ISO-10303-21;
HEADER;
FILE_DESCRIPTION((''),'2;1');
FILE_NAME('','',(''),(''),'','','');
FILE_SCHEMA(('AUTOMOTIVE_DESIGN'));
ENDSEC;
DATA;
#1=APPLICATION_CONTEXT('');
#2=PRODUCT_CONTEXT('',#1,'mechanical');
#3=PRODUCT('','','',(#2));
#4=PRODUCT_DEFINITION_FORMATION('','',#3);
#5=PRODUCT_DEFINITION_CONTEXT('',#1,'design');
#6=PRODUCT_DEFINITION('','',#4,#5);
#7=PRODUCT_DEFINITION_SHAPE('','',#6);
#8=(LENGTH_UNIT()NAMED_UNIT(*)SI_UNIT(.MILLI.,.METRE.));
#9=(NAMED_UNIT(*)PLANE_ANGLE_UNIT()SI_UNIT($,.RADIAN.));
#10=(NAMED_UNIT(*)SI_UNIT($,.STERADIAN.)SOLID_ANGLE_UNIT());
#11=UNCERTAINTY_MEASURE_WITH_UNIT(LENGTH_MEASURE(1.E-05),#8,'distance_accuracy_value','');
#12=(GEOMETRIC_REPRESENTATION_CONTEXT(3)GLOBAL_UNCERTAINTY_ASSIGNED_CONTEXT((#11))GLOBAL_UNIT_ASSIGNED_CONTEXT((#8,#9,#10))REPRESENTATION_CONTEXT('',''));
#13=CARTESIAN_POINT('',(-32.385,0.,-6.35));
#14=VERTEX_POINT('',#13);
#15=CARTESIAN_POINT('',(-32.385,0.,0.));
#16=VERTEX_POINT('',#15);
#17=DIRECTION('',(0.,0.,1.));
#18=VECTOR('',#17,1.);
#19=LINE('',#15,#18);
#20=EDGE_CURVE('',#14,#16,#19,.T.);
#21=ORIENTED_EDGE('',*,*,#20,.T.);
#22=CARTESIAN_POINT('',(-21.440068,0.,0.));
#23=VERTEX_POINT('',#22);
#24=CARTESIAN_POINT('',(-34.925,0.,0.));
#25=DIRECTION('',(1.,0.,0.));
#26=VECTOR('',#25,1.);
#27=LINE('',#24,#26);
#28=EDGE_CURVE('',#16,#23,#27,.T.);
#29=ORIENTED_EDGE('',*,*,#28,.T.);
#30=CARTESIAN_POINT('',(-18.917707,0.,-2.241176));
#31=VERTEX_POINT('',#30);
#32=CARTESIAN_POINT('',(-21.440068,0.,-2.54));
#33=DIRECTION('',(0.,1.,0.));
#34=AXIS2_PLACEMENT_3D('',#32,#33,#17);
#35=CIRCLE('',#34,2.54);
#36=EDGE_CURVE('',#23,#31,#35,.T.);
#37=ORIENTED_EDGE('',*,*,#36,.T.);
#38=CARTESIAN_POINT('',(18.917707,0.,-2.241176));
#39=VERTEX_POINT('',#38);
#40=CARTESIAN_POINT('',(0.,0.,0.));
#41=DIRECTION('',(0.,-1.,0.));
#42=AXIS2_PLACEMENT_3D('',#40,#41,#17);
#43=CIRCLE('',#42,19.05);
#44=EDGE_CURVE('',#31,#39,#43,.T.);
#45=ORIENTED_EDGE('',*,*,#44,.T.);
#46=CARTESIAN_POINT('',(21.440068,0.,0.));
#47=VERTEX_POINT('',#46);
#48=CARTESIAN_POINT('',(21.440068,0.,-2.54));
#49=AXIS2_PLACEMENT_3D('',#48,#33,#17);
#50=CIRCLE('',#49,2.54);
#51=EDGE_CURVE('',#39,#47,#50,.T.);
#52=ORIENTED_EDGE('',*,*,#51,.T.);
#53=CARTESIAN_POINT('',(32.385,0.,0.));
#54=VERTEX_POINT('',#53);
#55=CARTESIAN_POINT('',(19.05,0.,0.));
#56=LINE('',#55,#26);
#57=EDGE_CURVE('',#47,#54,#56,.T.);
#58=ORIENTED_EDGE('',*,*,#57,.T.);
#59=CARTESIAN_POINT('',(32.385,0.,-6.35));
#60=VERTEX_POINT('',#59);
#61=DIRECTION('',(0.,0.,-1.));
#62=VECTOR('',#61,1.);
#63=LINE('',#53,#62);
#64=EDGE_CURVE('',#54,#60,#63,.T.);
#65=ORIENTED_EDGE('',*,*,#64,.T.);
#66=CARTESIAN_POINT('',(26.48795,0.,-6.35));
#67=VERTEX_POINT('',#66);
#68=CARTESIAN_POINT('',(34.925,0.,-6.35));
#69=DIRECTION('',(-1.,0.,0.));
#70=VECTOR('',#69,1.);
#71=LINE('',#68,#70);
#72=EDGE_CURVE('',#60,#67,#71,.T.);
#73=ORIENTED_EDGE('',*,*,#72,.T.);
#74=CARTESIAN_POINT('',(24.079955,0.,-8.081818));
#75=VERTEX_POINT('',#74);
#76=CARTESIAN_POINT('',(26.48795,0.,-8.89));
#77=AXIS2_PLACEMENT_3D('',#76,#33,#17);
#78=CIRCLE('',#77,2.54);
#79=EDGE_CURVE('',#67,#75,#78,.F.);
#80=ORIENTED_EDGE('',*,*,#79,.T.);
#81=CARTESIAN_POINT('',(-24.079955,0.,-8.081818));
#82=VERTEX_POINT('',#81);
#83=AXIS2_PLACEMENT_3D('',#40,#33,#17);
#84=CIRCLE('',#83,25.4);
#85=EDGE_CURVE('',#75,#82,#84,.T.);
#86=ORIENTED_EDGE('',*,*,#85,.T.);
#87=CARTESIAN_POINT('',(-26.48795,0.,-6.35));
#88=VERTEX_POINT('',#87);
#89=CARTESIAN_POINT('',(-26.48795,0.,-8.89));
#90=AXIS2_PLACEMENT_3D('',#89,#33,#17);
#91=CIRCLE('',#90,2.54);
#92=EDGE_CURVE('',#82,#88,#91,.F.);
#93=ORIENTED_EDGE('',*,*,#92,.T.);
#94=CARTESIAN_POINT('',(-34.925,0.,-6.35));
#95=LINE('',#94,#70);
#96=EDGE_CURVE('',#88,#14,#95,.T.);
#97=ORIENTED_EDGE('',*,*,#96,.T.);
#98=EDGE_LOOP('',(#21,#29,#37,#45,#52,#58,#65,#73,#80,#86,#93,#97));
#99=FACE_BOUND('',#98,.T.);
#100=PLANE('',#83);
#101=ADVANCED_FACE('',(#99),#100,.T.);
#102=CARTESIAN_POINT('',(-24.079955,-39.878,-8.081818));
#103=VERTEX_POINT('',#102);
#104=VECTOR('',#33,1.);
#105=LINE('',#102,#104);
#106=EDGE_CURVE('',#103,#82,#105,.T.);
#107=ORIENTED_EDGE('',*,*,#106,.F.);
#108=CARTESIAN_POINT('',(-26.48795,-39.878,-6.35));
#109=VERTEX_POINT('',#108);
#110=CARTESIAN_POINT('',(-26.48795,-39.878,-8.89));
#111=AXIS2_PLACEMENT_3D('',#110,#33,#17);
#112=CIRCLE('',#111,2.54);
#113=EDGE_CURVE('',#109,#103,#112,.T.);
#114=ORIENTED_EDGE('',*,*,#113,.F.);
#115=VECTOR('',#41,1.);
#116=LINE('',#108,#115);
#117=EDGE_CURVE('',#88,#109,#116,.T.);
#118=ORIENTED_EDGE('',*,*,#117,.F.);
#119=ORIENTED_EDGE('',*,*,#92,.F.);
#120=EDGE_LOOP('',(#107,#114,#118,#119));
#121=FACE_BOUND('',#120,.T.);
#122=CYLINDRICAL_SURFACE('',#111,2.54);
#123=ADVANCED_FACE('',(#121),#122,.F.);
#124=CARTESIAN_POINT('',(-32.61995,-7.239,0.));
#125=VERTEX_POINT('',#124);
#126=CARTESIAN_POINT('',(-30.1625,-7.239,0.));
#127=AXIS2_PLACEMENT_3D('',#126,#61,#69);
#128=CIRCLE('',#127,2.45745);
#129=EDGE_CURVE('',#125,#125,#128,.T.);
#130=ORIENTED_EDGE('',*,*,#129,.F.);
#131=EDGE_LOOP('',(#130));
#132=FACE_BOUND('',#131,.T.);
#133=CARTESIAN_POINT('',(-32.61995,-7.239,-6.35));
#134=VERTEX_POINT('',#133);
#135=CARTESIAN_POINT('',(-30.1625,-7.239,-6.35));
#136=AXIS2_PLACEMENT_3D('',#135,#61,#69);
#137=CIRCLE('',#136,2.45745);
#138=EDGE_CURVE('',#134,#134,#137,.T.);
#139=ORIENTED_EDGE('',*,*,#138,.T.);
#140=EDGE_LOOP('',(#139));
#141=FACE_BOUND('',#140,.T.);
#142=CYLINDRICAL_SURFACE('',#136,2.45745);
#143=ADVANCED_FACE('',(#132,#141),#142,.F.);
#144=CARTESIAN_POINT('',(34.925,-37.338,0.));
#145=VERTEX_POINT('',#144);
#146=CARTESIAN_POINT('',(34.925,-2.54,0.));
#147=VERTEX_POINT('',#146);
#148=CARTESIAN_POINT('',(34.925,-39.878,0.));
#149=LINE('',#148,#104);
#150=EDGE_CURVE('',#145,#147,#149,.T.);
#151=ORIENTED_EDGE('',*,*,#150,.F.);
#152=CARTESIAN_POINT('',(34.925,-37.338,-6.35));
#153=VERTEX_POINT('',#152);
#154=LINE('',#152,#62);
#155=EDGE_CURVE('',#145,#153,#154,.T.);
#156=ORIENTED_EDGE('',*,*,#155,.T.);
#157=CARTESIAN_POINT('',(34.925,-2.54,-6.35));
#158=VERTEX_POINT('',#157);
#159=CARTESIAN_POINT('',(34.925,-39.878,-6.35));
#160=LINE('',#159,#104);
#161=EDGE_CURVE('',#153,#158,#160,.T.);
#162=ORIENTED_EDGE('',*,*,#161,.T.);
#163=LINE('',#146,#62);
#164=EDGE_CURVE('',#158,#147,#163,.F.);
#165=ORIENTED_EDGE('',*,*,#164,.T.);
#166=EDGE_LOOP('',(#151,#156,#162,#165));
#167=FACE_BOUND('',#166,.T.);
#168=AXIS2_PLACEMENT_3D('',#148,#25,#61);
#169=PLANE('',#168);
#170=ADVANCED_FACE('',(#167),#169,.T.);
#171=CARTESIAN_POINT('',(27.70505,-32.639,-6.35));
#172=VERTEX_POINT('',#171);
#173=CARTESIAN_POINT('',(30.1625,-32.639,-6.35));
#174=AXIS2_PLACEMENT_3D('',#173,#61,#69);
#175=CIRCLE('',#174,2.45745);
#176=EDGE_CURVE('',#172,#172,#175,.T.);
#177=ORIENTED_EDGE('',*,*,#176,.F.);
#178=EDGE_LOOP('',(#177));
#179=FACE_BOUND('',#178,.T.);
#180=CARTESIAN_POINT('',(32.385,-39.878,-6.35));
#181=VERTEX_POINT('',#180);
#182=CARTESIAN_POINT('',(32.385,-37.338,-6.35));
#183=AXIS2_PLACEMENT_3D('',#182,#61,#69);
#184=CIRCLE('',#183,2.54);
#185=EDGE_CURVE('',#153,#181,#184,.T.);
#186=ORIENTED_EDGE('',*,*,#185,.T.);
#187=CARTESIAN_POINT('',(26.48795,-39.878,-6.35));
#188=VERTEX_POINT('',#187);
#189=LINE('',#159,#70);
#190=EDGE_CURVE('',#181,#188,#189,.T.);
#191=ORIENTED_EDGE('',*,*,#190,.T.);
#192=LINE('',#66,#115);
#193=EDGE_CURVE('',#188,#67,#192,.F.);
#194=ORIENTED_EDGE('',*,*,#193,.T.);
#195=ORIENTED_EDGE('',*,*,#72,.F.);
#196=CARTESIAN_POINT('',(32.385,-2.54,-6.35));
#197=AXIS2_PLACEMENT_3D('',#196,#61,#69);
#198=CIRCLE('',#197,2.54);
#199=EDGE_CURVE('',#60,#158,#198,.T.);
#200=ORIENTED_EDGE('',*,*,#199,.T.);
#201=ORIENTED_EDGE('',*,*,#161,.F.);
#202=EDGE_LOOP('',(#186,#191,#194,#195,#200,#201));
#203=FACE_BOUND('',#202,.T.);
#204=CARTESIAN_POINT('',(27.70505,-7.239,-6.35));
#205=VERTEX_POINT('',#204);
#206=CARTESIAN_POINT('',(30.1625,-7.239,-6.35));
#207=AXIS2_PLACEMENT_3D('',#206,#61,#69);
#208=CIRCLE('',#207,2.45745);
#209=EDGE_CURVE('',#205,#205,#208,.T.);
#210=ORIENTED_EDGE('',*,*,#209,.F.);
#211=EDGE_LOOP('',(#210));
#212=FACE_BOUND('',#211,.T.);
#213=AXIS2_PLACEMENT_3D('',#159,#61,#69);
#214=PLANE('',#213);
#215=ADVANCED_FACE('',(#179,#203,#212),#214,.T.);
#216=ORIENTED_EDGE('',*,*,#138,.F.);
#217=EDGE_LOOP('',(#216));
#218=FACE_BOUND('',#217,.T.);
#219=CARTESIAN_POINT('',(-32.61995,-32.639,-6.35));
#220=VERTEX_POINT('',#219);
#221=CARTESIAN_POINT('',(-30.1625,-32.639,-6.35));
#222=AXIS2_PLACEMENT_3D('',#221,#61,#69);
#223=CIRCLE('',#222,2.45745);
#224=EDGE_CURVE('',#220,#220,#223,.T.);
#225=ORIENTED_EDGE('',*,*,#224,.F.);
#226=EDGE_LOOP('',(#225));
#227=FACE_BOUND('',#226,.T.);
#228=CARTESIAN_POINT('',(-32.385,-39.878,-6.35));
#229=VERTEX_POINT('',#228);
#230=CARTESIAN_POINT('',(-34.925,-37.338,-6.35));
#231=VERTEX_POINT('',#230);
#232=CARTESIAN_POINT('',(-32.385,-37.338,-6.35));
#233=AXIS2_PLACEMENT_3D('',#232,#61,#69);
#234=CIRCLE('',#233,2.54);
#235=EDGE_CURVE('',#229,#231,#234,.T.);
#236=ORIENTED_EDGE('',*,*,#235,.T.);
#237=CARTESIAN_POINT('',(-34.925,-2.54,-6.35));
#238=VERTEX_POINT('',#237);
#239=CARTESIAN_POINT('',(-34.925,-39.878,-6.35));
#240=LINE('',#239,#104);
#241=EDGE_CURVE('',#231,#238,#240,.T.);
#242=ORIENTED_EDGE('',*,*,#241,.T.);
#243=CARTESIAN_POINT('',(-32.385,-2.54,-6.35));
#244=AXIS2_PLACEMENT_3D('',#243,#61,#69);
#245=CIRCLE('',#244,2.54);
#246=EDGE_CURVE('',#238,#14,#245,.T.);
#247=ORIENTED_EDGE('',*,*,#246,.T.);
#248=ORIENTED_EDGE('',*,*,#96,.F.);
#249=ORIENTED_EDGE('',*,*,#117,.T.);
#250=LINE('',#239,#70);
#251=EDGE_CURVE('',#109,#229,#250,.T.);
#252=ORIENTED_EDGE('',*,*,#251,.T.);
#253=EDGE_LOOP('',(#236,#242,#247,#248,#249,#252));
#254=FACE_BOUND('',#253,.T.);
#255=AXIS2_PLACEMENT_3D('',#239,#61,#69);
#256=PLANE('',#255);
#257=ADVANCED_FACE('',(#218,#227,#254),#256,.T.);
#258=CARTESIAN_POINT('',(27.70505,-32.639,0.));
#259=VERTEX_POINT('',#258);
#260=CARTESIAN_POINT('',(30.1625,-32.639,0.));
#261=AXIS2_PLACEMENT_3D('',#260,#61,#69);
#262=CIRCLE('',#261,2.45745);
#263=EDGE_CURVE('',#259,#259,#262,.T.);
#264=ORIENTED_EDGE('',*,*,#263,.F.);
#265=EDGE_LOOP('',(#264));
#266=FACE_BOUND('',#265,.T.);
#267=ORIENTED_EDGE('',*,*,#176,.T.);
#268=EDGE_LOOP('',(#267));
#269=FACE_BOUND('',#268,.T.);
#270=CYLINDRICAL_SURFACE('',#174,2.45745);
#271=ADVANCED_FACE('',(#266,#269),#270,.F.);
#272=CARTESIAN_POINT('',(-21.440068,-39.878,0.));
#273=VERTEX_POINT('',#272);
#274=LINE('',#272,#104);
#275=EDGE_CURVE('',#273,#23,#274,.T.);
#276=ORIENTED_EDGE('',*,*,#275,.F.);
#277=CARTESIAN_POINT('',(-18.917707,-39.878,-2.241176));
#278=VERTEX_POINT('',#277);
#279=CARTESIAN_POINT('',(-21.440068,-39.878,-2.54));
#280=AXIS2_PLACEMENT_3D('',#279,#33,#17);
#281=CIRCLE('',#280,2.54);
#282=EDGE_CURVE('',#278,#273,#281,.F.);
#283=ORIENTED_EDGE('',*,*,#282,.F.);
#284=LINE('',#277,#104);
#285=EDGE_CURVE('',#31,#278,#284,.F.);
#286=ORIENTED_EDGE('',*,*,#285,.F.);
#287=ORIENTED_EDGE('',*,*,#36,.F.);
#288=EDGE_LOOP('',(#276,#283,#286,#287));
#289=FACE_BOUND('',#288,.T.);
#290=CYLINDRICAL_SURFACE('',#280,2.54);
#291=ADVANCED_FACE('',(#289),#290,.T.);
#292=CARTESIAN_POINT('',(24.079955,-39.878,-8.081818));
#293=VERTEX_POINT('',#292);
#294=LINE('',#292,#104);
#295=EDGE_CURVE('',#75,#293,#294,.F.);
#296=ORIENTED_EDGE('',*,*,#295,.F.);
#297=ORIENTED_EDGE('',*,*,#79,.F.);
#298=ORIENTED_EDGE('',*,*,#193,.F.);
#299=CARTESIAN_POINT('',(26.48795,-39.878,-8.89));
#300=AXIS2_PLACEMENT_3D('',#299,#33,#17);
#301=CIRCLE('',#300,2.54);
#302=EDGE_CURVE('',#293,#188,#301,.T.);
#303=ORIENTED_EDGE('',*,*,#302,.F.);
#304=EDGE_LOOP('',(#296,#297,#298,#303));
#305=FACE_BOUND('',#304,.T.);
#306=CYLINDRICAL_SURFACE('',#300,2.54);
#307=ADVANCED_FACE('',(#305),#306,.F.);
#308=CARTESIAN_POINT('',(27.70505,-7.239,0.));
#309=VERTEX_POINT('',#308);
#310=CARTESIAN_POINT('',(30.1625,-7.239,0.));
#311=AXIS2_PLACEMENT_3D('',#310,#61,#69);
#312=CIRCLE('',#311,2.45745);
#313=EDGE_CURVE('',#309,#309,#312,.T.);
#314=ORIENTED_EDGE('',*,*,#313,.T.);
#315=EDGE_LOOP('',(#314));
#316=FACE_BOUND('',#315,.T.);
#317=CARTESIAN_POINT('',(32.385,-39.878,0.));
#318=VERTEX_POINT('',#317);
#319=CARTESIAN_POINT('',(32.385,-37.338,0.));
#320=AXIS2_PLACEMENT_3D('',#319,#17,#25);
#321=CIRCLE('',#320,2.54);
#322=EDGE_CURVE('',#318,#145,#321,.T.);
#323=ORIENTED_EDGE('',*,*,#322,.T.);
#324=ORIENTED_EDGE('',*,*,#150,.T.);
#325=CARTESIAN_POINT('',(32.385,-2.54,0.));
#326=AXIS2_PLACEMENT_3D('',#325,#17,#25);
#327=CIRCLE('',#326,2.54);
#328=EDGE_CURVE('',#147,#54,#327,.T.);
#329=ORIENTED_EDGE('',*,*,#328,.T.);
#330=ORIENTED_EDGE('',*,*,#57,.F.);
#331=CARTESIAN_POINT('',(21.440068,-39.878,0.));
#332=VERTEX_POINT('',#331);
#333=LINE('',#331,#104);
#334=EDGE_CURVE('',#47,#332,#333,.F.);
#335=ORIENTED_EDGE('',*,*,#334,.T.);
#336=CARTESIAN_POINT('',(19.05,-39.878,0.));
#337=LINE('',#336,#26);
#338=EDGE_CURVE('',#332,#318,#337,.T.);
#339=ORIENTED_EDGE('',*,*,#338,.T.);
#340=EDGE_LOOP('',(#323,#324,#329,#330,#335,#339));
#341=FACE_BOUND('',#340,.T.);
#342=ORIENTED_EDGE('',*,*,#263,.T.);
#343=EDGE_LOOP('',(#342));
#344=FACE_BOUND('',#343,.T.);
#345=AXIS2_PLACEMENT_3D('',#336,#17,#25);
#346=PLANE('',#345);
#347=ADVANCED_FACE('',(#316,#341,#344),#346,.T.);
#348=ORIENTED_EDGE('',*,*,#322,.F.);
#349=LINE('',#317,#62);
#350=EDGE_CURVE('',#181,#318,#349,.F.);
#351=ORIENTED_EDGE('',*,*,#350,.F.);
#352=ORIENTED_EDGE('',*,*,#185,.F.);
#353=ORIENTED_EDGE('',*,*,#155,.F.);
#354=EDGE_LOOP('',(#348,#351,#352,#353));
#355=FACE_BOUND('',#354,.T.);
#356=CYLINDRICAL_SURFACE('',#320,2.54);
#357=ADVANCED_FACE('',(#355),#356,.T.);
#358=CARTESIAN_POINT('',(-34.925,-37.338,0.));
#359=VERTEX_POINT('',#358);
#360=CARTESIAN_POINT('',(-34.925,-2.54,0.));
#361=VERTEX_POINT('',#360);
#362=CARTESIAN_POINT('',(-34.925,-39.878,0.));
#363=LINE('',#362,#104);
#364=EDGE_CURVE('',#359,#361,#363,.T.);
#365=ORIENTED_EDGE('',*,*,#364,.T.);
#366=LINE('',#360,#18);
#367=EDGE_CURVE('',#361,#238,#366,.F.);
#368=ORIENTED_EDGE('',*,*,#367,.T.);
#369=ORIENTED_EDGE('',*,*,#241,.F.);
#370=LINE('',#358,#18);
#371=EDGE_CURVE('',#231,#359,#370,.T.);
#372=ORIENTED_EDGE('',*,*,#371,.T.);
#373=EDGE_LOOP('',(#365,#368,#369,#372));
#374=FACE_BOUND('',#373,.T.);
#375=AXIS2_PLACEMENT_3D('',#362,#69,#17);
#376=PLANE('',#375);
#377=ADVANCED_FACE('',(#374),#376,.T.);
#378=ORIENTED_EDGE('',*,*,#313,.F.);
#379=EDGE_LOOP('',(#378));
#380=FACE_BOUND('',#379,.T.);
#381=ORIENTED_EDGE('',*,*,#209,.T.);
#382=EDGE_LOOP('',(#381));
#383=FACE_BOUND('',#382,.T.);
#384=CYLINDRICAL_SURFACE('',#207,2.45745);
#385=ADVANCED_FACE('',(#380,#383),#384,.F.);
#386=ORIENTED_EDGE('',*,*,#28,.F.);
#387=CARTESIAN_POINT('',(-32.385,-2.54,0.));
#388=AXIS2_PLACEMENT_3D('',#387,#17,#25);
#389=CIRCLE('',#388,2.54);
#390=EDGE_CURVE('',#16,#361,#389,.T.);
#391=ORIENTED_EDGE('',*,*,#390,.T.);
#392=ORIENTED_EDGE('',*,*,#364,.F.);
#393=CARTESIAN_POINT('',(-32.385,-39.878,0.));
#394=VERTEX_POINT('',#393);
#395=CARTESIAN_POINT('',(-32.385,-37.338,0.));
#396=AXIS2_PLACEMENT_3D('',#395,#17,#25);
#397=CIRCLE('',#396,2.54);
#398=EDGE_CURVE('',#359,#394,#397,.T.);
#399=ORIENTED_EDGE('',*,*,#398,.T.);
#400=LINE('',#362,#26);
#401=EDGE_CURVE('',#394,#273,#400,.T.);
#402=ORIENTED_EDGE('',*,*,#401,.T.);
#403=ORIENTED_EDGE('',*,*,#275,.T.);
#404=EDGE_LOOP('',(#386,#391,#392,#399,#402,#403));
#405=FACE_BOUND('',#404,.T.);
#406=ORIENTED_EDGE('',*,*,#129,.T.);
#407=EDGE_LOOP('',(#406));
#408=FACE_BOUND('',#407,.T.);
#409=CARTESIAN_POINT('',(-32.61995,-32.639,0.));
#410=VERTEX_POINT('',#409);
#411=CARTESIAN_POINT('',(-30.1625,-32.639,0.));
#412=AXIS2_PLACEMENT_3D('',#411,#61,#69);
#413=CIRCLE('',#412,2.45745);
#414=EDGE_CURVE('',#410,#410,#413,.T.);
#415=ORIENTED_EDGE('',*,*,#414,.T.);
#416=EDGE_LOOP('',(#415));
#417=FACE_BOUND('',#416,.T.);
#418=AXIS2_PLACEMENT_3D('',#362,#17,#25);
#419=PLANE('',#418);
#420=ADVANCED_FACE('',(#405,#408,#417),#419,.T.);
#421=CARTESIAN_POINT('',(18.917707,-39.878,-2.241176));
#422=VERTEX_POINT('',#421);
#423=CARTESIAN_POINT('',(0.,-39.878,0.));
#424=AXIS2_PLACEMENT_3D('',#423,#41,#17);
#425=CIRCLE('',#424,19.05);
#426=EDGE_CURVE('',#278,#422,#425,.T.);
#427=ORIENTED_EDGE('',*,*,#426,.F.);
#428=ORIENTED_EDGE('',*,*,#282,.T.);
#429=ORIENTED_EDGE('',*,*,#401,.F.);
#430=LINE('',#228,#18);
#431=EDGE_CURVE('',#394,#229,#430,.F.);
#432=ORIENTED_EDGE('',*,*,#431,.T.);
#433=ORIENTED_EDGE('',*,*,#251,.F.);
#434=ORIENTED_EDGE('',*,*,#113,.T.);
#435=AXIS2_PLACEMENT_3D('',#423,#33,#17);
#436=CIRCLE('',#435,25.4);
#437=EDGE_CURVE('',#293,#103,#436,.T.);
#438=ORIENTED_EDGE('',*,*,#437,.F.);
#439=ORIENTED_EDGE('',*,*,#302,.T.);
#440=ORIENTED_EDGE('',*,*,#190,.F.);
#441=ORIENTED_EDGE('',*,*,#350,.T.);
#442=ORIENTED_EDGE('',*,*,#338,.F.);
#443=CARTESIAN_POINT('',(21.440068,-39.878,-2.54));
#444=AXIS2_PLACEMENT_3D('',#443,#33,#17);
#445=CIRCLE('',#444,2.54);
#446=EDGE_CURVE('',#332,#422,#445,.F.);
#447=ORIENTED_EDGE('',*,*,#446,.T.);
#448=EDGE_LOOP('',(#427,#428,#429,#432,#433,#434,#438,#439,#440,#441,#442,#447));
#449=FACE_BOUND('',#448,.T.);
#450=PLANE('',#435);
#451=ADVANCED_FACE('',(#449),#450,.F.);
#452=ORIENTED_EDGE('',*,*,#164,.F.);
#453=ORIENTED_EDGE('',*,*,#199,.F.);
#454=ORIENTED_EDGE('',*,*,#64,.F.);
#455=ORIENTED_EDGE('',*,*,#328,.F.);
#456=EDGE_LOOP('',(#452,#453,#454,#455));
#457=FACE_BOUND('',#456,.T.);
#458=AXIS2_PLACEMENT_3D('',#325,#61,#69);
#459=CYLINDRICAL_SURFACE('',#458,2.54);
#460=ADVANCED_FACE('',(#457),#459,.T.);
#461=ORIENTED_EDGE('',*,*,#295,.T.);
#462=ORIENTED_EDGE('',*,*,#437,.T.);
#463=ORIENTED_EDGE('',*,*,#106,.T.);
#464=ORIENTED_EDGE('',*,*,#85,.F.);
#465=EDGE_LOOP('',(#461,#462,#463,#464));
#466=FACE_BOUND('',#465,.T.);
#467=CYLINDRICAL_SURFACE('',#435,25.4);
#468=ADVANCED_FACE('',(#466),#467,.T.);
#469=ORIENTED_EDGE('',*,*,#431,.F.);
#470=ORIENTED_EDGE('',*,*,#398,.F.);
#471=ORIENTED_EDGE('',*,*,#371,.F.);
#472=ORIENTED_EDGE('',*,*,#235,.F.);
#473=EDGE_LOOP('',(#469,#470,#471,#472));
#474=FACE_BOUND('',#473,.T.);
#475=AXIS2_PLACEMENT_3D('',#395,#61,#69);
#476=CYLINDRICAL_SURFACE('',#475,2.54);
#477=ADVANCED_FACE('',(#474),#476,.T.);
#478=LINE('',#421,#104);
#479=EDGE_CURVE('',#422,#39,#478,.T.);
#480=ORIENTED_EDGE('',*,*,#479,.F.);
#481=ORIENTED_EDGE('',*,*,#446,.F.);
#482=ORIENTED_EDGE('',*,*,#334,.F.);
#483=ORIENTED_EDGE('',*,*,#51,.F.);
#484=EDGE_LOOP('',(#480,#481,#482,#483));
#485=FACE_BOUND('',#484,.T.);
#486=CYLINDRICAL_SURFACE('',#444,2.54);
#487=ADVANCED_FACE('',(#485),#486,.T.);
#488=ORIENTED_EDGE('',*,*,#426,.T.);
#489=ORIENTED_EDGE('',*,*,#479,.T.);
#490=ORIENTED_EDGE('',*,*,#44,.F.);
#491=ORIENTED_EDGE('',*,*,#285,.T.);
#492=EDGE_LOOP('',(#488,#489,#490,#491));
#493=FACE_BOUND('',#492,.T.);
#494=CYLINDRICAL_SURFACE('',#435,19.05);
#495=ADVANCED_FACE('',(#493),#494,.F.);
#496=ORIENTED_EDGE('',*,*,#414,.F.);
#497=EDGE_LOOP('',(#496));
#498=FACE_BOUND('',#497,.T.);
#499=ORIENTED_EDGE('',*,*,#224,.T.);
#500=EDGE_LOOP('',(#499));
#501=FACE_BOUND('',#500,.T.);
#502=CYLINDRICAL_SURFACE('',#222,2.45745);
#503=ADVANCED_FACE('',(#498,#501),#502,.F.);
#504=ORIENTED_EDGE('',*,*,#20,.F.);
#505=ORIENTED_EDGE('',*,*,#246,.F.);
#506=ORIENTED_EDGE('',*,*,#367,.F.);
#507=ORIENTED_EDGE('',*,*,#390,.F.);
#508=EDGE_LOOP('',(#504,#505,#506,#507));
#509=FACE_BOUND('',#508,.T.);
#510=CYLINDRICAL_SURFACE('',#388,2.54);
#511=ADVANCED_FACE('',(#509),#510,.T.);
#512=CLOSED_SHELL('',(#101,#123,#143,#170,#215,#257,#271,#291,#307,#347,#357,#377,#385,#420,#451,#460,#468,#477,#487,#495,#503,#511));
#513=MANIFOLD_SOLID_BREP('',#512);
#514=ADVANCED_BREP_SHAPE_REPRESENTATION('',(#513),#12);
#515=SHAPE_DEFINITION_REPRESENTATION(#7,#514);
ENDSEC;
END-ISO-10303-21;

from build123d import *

# Parameters (mm, degrees)
BOSS_EXTRUDE2_DEPTH          = 39.878
FILLET1_R                    = 2.54
F_10_0_1935_DIAMETER_HOLE1_D = 4.9149


with BuildPart() as part:
    # Sketch5 → Boss-Extrude2 (new body)
    with BuildSketch(Plane(origin=(0, 0, 0), x_dir=(1, 0, 0), z_dir=(0, 1, 0))):
        with BuildLine():
            Line((-34.925, 0), (-19.05, 0))
            ThreePointArc((-19.05, 0), (0, 19.05), (19.05, 0))
            Line((19.05, 0), (34.925, 0))
            Line((34.925, 0), (34.925, 6.35))
            Line((34.925, 6.35), (24.593444248, 6.35))
            ThreePointArc((24.593444248, 6.35), (0, 25.4), (-24.593444248, 6.35))
            Line((-24.593444248, 6.35), (-34.925, 6.35))
            Line((-34.925, 6.35), (-34.925, 0))
        make_face()
    extrude(amount=-BOSS_EXTRUDE2_DEPTH)

    # Fillet1
    fillet1_edges = [part.edges().sort_by_distance(p)[0] for p in [
        (-34.925, 0, -3.175),
        (-24.593444248, -19.939, -6.35),
        (24.593444248, -19.939, -6.35),
        (19.05, -19.939, 0),
        (-19.05, -19.939, 0),
        (34.925, -39.878, -3.175),
        (-34.925, -39.878, -3.175),
        (34.925, 0, -3.175),
    ]]
    fillet(fillet1_edges, radius=FILLET1_R)

    # #10 (0.1935) Diameter Hole1 (through all)
    with Locations(Plane(origin=(0, 0, -6.35), x_dir=(-1, 0, 0), z_dir=(0, 0, -1))):
        with Locations((-30.1625, -7.239), (-30.1625, -32.639)):
            f_10_0_1935_diameter_hole1 = Hole(F_10_0_1935_DIAMETER_HOLE1_D / 2)

    # Mirror1: #10 (0.1935) Diameter Hole1 across plane
    add(f_10_0_1935_diameter_hole1.mirror(Plane(origin=(0, 0, 0), x_dir=(0, 0, 1), z_dir=(1, 0, 0))), mode=Mode.SUBTRACT)


solid = part.part
